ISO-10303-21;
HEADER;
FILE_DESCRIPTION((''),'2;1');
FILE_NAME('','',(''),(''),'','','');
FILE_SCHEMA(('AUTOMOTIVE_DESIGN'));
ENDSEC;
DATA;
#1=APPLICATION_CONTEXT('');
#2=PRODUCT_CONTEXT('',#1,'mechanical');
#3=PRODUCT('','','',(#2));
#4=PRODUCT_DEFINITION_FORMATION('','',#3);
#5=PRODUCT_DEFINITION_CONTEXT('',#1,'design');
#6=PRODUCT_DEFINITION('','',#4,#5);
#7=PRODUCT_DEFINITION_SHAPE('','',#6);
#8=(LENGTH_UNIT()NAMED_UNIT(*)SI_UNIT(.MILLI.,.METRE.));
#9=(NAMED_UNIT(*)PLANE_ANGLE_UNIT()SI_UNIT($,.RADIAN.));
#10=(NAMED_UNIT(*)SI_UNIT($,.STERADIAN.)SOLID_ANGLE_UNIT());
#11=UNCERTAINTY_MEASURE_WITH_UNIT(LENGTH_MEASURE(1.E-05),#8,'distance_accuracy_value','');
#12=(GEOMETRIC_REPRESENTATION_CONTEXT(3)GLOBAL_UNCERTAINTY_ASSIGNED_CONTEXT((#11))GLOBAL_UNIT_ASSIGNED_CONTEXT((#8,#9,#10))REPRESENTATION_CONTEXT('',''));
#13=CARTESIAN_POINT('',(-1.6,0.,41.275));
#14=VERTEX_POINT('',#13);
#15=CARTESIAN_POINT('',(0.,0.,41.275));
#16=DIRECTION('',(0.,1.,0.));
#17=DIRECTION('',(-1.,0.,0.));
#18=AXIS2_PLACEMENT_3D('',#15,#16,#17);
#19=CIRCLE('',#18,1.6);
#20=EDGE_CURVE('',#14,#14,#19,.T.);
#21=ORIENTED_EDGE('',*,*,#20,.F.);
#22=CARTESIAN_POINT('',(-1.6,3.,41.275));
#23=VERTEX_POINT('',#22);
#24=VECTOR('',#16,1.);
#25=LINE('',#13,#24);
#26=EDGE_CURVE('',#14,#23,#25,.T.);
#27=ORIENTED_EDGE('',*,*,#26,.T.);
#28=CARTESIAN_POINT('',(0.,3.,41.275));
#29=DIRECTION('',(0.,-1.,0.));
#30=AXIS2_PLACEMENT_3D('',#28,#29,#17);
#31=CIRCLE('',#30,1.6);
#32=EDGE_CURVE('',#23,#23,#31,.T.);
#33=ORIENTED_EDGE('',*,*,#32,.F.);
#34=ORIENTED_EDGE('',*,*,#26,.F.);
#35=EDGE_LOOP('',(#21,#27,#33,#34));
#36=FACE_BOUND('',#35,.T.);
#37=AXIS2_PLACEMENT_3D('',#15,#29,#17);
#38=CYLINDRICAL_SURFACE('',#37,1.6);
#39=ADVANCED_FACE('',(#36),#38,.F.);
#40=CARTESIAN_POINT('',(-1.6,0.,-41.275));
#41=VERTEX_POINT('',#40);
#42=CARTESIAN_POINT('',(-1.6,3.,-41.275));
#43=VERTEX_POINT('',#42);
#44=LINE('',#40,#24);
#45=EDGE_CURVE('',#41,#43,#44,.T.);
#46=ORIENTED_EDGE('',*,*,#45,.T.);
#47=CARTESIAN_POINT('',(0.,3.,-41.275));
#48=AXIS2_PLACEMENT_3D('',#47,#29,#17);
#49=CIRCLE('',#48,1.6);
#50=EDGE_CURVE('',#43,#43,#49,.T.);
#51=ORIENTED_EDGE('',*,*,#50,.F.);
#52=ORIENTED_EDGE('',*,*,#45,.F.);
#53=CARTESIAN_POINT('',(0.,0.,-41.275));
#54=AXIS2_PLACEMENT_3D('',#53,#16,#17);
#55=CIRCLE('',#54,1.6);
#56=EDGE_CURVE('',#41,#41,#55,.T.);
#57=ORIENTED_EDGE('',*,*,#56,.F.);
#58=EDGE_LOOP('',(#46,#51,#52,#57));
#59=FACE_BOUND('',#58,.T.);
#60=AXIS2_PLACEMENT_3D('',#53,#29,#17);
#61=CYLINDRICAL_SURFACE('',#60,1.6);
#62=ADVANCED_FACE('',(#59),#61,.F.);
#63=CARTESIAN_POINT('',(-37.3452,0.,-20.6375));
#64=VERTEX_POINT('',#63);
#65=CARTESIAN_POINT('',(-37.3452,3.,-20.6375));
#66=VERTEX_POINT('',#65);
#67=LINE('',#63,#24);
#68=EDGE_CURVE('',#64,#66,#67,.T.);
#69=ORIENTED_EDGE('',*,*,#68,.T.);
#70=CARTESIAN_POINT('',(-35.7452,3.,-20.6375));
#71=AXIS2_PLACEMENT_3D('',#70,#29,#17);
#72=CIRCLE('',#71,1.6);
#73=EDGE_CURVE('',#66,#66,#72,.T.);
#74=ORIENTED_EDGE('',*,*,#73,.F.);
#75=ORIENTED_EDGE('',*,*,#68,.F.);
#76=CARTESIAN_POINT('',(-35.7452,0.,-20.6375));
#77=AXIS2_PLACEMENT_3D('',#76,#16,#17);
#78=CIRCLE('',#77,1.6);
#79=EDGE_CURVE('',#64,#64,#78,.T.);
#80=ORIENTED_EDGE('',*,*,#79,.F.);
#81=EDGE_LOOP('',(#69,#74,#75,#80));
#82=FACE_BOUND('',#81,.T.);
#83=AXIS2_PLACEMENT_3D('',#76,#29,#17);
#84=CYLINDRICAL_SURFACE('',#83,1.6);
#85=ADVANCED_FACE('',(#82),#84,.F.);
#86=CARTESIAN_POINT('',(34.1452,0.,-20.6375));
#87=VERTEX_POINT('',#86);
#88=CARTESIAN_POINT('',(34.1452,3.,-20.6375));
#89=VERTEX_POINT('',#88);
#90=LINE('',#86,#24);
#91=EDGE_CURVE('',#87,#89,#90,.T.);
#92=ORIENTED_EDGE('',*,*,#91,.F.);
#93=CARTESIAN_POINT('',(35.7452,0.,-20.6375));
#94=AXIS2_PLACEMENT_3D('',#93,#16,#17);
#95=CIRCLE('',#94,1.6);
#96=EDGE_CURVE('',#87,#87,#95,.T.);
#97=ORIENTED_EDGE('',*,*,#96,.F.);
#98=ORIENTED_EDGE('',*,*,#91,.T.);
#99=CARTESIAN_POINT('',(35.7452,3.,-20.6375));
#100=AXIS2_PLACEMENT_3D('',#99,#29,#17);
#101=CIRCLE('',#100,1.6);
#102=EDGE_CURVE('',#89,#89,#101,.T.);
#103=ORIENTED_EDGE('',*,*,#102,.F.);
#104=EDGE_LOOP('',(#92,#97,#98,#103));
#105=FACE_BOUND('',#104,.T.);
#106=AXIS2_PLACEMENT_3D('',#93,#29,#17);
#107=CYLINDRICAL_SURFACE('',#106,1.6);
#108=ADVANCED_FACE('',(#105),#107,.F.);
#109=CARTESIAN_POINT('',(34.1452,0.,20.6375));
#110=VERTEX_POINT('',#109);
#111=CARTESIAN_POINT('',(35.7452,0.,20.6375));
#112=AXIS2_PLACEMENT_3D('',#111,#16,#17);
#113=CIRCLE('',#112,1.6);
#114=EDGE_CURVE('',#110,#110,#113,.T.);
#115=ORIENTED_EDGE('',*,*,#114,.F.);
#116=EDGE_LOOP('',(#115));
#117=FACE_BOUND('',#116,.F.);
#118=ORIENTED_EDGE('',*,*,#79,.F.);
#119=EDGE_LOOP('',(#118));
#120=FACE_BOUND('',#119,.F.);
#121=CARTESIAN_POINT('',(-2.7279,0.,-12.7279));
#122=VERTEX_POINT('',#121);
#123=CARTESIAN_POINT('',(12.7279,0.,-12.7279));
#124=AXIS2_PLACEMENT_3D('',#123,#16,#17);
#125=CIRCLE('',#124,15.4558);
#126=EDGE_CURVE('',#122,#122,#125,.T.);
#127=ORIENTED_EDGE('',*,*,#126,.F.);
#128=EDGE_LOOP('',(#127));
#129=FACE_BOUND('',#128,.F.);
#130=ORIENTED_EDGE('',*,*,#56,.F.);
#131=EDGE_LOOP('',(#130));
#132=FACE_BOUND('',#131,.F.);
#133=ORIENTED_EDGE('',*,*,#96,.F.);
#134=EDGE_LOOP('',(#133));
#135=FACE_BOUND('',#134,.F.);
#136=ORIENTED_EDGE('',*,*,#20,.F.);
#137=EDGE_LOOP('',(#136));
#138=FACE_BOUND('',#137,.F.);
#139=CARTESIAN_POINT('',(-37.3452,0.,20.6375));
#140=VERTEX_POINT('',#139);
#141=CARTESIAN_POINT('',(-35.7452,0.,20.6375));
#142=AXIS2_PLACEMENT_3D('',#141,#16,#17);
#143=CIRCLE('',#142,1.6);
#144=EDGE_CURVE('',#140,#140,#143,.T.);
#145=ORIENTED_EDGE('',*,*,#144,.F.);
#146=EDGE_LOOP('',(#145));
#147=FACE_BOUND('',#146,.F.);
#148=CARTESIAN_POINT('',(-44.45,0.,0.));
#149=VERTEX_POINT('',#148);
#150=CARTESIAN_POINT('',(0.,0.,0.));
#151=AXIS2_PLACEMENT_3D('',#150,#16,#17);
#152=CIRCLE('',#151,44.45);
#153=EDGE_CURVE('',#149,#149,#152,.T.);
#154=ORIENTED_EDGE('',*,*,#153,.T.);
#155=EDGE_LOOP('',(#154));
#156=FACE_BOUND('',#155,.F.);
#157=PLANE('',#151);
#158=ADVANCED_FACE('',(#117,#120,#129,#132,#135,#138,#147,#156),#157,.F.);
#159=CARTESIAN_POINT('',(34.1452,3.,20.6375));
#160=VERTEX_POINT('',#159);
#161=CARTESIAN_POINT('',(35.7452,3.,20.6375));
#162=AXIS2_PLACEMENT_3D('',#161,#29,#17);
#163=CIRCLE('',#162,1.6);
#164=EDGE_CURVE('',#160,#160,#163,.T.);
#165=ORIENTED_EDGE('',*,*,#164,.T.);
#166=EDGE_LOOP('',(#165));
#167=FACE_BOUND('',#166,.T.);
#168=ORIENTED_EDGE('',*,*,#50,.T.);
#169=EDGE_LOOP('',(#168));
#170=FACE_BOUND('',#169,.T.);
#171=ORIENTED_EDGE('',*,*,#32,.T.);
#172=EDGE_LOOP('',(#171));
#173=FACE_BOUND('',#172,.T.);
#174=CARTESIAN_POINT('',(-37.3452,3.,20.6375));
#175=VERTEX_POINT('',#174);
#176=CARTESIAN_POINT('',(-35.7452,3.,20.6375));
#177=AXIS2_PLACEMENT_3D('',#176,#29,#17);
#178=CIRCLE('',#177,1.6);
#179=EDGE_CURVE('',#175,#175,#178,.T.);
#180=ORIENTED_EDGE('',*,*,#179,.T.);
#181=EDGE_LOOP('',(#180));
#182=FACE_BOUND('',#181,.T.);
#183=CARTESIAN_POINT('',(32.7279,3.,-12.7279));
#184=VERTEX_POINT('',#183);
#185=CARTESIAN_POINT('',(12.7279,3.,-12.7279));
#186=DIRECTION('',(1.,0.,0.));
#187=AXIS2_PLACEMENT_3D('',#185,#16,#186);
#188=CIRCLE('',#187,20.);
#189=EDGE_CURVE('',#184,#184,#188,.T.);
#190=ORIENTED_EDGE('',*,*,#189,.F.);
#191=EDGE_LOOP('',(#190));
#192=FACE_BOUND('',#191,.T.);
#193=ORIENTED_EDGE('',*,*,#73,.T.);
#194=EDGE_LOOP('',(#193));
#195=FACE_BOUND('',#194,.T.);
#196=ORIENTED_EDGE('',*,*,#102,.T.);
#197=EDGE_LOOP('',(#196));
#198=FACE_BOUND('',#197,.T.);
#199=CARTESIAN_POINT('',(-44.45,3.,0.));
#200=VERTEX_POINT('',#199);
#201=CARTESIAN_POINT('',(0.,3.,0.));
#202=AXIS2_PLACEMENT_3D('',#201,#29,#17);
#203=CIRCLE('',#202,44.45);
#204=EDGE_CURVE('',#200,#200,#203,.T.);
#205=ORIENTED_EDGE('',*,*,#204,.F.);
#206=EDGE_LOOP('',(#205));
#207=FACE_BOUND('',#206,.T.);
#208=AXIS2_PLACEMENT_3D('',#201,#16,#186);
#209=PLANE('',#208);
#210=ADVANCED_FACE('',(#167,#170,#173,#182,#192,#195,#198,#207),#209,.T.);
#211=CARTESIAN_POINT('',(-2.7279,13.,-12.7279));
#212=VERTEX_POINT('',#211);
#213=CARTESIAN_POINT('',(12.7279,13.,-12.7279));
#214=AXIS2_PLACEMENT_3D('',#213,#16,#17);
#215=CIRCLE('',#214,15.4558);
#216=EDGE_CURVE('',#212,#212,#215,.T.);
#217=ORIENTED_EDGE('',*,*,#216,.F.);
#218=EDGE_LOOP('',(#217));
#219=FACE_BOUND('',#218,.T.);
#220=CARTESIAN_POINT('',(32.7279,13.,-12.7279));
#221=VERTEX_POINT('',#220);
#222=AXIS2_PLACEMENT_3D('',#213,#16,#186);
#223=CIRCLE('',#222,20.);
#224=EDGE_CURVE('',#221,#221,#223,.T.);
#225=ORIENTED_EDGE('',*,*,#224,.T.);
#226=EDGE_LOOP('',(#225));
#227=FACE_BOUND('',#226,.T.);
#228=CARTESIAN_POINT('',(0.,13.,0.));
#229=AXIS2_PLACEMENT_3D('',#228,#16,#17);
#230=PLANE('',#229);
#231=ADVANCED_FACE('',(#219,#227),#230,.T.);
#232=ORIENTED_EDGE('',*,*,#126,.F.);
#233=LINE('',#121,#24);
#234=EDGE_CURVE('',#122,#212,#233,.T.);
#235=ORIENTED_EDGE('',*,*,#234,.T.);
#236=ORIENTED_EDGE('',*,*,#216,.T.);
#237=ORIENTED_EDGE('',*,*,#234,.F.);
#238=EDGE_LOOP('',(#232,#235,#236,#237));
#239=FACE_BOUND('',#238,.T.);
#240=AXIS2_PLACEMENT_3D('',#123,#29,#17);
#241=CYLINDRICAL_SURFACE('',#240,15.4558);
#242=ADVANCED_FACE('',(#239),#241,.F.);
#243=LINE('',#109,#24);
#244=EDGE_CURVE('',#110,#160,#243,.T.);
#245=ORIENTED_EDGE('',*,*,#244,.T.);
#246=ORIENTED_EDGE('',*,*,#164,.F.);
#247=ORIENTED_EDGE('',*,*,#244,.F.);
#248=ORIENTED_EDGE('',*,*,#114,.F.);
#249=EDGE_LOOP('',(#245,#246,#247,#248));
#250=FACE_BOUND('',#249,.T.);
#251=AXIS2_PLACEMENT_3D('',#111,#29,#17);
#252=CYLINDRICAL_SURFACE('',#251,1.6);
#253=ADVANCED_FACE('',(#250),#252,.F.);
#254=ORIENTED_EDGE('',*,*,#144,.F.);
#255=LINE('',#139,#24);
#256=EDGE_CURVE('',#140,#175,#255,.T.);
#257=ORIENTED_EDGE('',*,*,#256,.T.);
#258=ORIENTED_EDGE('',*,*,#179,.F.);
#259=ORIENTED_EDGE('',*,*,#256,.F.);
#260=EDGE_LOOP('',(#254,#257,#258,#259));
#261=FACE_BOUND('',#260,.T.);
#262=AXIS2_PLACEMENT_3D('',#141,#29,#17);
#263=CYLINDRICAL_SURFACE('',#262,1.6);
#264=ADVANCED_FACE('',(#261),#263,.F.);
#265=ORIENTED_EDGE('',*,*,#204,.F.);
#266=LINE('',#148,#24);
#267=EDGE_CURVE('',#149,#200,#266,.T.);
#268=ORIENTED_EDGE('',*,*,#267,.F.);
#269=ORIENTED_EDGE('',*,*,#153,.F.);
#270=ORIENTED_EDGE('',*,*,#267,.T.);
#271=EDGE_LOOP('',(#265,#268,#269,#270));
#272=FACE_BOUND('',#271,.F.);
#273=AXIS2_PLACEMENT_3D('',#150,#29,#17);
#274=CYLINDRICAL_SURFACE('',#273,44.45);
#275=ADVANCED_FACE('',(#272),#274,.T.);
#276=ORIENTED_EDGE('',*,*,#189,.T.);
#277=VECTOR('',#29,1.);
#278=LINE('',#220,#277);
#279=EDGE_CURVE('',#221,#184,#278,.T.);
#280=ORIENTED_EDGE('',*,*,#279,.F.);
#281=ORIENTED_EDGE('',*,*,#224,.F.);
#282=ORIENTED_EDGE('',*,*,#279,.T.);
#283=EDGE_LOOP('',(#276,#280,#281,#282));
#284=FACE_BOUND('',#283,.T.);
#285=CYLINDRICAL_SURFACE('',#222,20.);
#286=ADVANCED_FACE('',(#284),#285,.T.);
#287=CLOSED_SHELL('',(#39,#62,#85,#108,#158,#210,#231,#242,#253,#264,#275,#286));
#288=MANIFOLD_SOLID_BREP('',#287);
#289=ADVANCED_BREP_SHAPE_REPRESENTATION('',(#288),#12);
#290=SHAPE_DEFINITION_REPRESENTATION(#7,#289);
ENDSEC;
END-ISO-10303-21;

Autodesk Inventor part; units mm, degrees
ref_plane "YZ Plane" through (0, 0, 0) normal (1, 0, 0) x (0, 1, 0)
ref_plane "XZ Plane" through (0, 0, 0) normal (0, 1, 0) x (-1, 0, 0)
ref_plane "XY Plane" through (0, 0, 0) normal (0, 0, 1) x (1, 0, 0)
sketch "Sketch1" plane through (0, 0, 0) normal (0, 1, 0) x (-1, 0, 0)
  circle A0 centre (0, 0) radius 44.45
  circle A1 centre (0, -41.275) radius 1.6
  circle A2 centre (35.7452, -20.6375) radius 1.6
  circle A3 centre (-35.7452, -20.6375) radius 1.6
  circle A4 centre (0, 41.275) radius 1.6
  circle A5 centre (35.7452, 20.6375) radius 1.6
  circle A6 centre (-35.7452, 20.6375) radius 1.6
  circle A7 centre (-12.7279, -12.7279) radius 15.4558
extrude "Extrusion2" add sketch "Sketch1" along normal blind 13
sketch "Sketch2" plane through (0, 13, 0) normal (0, 1, 0) x (1, 0, 0)
  circle A0 centre (12.7279, 12.7279) radius 15.4558 projected
  circle A1 centre (12.7279, 12.7279) radius 20
  circle A2 centre (0, 0) radius 44.45
  dimension "d27" = 40
extrude "Extrusion3" cut sketch "Sketch2" against normal blind 10 contours A2
properties part number "Potting_Jig_External"
